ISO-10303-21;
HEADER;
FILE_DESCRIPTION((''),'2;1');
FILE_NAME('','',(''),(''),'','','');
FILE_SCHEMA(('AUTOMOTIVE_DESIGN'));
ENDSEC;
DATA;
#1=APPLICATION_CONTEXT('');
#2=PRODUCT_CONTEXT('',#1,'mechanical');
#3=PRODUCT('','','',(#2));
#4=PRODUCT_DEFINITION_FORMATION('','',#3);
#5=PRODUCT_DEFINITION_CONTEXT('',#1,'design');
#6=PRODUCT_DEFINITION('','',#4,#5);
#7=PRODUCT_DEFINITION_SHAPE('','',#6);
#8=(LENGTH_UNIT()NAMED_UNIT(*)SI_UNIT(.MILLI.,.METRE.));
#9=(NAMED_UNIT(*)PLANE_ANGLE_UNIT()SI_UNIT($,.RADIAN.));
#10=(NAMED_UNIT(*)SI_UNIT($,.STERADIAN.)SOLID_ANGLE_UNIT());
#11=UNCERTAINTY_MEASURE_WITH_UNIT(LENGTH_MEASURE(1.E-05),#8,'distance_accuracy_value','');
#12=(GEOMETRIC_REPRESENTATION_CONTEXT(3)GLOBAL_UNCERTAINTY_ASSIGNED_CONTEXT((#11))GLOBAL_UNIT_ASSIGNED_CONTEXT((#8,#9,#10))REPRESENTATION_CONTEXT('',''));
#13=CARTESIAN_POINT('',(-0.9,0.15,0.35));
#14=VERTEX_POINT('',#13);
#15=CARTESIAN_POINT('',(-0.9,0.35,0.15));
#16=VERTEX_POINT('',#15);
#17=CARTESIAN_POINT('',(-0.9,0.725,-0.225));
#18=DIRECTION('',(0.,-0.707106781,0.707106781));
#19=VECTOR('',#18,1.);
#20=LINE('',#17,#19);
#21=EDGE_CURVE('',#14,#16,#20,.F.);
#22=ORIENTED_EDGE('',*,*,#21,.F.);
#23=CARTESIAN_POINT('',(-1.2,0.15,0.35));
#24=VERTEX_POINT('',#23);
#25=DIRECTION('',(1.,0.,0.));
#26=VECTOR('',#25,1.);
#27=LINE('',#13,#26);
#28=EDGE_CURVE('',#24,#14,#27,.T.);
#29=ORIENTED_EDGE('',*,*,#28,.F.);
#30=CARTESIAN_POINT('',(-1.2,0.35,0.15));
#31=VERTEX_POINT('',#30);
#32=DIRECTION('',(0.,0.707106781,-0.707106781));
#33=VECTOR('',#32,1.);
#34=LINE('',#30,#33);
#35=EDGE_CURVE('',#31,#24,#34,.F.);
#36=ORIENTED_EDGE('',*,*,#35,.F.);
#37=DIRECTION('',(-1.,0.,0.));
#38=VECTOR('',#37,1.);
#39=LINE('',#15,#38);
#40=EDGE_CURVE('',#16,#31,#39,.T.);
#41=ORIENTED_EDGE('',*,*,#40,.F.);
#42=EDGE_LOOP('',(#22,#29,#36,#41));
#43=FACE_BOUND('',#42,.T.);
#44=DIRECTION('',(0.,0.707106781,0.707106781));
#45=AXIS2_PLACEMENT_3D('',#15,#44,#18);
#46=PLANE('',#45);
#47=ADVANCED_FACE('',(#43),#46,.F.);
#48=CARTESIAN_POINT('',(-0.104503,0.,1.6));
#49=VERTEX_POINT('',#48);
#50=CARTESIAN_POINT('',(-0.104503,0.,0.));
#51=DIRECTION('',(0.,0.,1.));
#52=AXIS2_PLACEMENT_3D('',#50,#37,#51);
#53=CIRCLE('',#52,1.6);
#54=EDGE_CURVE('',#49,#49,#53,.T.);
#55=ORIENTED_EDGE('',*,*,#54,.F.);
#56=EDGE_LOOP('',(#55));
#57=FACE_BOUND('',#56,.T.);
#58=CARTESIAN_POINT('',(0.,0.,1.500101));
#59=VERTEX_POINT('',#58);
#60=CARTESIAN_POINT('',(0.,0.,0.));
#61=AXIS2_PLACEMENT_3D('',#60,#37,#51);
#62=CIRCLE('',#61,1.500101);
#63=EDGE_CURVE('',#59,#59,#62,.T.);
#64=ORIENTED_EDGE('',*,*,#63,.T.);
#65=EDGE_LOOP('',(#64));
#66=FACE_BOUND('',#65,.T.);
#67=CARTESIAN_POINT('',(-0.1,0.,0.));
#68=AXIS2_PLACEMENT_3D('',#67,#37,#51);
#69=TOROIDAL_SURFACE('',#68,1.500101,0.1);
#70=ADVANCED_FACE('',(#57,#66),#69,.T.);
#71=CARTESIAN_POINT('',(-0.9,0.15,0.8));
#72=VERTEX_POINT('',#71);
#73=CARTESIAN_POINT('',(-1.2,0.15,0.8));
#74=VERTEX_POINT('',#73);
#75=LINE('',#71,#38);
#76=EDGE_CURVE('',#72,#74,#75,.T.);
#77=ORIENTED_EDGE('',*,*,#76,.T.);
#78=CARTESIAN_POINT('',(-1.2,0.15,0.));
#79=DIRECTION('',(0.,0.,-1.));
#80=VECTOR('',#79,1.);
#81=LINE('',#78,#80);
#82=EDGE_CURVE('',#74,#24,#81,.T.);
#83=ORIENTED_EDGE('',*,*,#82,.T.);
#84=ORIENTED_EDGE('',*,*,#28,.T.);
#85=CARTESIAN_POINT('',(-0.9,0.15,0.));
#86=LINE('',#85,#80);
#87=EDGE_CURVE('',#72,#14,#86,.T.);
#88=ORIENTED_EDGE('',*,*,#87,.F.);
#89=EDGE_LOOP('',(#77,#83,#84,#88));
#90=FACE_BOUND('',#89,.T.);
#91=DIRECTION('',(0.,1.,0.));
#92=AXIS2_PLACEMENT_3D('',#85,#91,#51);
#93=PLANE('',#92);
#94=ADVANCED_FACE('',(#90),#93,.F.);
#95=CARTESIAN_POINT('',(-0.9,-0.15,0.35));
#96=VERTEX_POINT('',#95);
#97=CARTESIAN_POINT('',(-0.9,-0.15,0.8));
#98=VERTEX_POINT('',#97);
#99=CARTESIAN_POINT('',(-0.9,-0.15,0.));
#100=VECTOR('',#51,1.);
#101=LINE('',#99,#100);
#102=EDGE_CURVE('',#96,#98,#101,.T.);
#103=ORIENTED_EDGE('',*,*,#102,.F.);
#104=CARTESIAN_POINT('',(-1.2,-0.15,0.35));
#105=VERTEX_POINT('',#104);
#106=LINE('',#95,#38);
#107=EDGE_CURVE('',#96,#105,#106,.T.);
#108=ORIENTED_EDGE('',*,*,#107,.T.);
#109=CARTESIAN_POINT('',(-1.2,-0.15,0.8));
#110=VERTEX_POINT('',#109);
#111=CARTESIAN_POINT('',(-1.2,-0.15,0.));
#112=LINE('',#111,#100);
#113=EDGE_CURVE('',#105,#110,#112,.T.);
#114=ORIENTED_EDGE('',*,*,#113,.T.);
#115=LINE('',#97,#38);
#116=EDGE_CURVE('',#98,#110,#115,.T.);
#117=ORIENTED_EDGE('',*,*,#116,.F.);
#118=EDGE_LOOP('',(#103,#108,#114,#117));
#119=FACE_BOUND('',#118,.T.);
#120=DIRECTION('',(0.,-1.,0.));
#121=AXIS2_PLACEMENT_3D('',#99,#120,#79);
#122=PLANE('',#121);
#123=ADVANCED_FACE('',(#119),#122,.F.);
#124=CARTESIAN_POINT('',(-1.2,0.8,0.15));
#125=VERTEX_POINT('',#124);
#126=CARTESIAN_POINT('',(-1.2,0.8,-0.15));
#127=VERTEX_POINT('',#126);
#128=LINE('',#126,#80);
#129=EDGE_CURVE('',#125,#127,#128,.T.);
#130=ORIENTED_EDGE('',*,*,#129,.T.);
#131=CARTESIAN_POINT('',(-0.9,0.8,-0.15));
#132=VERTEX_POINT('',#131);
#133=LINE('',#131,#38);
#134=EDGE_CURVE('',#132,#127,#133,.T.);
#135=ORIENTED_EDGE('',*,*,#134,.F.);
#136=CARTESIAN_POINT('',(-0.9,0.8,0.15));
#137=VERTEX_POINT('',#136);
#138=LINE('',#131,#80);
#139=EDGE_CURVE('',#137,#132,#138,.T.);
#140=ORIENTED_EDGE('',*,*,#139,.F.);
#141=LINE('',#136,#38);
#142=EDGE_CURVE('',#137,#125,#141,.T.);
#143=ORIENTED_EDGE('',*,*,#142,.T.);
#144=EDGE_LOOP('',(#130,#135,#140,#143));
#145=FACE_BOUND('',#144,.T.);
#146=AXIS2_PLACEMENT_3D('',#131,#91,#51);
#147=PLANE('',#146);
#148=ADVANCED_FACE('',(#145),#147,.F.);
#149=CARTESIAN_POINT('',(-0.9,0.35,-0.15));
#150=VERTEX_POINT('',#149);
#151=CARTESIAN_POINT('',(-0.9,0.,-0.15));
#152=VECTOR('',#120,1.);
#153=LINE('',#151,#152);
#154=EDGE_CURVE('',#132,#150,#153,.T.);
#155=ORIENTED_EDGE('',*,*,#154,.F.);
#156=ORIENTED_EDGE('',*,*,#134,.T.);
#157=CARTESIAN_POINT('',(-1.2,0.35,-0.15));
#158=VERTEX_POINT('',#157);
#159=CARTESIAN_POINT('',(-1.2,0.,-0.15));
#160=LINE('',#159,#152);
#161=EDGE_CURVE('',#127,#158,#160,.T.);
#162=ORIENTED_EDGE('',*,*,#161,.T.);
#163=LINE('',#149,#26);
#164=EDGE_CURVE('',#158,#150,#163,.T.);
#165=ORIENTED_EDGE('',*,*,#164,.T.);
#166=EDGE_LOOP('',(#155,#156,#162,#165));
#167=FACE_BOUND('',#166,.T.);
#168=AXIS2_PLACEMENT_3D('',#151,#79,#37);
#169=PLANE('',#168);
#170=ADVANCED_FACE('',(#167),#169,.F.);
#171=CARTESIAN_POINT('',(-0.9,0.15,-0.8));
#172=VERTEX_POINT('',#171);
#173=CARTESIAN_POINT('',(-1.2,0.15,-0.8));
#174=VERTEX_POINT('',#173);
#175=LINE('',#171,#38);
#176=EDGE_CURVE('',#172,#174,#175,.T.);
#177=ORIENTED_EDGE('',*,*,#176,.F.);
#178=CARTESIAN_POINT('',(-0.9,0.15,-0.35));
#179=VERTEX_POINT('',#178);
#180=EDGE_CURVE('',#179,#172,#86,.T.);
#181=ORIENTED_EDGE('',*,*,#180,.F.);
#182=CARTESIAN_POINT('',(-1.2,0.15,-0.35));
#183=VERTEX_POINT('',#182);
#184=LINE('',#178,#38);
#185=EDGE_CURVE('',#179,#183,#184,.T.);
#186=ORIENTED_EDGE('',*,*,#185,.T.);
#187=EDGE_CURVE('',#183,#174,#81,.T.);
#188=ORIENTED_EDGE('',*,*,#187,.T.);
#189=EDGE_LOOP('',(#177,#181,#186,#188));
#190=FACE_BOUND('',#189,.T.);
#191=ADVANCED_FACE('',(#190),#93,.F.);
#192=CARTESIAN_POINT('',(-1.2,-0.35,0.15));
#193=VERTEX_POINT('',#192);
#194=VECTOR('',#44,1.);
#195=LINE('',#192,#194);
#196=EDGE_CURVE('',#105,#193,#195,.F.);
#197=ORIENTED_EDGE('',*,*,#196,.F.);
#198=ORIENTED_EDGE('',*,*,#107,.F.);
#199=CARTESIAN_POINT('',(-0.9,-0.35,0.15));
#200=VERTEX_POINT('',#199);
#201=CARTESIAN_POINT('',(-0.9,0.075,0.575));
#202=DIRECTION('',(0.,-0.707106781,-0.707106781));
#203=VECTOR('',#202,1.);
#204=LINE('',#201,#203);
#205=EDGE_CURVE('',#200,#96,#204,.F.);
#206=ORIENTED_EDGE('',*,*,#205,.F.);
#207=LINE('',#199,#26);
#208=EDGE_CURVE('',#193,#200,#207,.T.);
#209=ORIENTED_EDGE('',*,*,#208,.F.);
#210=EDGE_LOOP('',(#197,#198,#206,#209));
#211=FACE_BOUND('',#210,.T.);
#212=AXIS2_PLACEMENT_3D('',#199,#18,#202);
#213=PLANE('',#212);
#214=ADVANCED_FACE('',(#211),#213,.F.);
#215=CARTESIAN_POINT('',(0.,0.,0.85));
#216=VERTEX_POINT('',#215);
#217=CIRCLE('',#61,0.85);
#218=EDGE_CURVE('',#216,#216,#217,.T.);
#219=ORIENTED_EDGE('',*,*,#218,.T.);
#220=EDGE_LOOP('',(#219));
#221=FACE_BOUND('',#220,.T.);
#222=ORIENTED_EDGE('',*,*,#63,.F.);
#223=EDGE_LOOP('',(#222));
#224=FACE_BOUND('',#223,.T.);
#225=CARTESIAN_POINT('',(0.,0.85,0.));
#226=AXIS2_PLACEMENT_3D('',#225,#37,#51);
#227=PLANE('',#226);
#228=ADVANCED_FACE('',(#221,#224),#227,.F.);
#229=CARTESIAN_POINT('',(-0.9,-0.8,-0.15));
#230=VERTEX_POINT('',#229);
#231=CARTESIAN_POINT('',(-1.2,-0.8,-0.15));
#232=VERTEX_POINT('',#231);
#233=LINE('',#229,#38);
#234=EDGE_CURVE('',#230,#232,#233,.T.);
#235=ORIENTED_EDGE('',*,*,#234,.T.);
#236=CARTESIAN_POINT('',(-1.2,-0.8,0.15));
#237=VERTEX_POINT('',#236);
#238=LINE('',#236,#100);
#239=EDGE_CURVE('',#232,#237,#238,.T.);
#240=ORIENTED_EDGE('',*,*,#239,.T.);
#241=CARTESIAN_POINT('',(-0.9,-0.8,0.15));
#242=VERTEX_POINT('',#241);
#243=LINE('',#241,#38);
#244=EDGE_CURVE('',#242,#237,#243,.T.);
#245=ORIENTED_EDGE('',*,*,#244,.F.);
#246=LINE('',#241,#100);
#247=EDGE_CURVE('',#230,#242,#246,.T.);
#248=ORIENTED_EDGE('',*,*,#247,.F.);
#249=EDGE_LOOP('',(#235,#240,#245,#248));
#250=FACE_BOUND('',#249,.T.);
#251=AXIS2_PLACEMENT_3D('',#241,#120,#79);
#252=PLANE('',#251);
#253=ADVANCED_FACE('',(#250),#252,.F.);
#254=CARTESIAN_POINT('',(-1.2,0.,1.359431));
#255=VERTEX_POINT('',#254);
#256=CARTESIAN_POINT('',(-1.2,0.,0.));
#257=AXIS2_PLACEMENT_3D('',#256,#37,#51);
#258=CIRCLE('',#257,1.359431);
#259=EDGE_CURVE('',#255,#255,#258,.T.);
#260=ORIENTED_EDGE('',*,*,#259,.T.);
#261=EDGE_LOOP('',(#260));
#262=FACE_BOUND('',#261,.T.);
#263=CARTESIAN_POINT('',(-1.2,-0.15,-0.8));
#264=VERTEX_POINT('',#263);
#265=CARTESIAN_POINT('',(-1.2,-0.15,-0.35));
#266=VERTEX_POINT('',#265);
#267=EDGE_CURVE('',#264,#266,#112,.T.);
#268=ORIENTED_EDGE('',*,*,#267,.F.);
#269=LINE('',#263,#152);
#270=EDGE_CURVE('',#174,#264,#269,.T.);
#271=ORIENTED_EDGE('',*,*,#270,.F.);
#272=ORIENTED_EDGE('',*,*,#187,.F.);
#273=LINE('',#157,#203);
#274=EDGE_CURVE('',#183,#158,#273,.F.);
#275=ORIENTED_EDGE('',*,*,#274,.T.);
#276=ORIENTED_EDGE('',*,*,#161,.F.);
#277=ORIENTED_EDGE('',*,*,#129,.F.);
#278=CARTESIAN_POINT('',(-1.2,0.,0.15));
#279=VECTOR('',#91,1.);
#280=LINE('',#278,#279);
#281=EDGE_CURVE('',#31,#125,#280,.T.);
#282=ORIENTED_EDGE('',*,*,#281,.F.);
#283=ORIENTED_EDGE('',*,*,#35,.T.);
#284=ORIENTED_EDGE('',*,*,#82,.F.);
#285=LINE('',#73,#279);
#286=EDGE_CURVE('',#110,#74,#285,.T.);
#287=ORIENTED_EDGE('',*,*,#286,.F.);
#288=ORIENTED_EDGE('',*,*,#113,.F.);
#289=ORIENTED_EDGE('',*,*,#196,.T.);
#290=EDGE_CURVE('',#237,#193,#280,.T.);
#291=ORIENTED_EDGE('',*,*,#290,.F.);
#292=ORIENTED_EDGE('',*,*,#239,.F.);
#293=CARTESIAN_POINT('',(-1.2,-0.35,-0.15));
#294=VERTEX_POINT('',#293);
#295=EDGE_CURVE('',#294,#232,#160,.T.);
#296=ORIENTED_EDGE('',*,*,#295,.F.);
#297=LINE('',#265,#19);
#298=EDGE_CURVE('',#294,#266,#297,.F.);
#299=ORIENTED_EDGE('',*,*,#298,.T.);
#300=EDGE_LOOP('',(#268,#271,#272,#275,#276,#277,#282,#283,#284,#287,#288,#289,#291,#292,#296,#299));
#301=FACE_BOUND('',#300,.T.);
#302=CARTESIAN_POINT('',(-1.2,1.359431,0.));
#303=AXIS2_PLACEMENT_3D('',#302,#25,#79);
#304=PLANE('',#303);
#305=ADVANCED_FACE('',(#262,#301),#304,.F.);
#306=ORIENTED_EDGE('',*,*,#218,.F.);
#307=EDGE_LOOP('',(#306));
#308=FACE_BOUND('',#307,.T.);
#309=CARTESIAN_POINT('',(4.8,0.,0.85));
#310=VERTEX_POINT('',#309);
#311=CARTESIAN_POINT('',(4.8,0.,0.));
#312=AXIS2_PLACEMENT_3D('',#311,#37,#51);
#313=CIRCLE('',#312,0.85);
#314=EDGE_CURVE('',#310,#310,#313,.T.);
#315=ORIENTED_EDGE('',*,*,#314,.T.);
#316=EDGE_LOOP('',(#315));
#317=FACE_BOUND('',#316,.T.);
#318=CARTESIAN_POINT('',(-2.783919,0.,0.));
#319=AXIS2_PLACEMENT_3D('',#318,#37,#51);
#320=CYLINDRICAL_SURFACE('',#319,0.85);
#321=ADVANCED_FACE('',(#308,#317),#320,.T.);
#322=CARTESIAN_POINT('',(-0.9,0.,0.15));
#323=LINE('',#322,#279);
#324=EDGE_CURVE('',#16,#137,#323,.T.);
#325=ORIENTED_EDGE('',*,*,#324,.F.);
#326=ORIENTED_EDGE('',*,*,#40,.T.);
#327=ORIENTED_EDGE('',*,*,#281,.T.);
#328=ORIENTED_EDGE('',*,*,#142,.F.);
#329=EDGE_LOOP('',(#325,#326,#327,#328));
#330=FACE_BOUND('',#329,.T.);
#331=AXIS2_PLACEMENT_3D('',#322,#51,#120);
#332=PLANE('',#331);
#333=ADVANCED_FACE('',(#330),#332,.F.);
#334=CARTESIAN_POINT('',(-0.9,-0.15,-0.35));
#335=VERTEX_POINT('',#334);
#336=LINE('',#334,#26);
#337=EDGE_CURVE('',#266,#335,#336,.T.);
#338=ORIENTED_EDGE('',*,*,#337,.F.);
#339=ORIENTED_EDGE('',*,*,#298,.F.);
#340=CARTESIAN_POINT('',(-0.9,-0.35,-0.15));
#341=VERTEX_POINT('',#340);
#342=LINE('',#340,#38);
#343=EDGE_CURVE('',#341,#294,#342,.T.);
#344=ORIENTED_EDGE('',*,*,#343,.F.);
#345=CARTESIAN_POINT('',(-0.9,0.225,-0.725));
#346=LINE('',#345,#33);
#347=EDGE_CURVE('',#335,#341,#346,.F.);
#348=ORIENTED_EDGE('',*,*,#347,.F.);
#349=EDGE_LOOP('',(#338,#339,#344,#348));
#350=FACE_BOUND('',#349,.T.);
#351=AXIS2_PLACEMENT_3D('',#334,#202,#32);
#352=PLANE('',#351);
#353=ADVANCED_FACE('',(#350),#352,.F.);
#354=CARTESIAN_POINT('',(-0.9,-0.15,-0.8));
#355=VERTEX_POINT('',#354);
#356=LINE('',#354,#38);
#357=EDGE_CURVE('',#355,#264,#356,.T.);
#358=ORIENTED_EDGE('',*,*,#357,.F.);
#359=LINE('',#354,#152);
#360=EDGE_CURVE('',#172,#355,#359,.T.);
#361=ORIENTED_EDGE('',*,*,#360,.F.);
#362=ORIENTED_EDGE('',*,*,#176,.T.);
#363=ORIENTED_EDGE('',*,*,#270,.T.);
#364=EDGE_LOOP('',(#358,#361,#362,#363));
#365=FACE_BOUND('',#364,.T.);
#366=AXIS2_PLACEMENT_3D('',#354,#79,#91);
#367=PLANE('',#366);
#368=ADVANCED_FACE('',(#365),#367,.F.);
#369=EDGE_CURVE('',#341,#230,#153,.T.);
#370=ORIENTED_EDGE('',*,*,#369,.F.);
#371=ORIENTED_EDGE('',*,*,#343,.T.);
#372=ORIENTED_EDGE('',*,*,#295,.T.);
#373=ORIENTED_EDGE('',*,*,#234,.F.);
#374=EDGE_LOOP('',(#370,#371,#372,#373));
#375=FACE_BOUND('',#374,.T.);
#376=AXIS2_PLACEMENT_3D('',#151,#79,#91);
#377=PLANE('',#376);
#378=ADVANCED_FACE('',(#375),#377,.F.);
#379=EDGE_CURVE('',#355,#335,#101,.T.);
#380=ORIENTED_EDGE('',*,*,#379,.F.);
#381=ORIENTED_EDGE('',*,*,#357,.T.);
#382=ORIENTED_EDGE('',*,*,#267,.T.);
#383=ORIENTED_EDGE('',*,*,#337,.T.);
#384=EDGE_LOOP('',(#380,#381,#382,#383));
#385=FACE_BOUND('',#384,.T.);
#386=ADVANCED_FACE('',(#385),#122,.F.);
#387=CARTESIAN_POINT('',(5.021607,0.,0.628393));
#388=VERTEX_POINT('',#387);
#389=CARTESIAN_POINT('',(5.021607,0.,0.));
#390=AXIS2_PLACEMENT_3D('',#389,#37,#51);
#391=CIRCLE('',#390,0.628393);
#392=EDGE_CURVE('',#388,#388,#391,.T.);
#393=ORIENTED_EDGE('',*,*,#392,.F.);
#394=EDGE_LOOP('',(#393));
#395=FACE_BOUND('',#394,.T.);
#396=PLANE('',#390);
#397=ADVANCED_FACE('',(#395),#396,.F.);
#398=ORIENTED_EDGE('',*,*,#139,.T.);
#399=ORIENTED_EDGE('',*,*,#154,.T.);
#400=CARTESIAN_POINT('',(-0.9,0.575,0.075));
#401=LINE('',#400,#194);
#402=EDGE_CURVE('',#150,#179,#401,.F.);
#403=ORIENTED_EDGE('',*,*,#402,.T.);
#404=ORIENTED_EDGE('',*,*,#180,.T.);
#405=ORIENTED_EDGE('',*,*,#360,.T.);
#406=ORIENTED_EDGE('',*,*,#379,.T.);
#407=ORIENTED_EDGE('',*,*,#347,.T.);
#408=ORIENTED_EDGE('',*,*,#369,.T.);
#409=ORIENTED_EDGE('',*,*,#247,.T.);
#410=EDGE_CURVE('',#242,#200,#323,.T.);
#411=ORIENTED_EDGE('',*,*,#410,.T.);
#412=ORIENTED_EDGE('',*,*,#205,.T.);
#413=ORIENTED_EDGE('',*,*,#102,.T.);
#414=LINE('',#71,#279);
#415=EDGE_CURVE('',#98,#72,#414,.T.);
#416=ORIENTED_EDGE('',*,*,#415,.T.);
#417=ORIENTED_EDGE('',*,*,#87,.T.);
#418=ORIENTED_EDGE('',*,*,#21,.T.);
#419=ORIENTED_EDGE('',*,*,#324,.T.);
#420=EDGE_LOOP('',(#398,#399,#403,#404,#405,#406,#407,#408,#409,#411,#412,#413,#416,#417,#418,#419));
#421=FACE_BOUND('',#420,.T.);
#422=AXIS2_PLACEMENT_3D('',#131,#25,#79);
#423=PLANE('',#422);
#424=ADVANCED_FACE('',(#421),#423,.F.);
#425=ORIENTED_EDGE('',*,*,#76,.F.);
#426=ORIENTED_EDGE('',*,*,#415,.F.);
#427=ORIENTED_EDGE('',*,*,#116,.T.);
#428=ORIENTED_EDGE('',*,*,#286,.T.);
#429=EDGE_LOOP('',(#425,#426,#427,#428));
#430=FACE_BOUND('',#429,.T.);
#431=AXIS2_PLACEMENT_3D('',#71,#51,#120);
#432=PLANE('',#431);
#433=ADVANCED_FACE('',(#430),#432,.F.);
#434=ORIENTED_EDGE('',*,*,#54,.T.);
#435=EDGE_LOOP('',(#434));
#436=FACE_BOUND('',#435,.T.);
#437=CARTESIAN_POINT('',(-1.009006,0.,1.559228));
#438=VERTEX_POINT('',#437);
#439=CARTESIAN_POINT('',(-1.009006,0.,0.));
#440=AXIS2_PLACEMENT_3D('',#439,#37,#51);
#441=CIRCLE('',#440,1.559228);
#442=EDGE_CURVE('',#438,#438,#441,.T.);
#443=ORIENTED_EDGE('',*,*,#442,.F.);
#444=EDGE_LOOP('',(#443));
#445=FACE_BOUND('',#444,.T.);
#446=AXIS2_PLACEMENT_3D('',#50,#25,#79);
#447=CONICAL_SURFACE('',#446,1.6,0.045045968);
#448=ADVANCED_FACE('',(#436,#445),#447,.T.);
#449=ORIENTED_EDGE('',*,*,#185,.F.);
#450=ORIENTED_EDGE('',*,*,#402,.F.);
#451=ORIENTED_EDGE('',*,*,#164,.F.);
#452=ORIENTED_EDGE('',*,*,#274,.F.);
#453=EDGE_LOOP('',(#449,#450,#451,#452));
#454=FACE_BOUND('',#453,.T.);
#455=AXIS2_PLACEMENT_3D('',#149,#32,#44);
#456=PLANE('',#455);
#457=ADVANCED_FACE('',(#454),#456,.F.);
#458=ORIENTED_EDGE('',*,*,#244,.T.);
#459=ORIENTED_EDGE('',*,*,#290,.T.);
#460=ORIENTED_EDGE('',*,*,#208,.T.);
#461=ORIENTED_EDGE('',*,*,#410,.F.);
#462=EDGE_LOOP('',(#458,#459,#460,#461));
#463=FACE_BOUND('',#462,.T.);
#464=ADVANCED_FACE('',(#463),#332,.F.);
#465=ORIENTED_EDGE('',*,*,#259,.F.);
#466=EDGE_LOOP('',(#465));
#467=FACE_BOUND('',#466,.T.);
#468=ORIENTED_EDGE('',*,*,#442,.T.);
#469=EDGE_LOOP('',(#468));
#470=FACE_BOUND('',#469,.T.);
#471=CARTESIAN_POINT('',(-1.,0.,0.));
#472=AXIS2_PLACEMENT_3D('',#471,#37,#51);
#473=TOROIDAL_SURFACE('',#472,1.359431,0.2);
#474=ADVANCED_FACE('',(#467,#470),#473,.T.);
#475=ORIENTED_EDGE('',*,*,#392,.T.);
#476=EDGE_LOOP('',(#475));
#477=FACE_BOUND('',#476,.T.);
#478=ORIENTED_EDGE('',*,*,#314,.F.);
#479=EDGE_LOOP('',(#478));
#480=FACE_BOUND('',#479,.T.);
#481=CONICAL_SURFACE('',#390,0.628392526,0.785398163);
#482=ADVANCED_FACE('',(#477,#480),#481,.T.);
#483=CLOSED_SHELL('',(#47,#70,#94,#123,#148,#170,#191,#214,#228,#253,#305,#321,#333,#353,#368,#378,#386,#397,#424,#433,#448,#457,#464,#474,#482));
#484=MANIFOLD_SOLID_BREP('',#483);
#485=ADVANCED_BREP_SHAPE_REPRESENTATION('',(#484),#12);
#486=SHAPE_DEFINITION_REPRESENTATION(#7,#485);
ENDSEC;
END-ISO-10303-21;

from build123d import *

# Parameters (mm, degrees)
ESQUISSE2_W                  = 0.3
ESQUISSE2_H                  = 0.8
EXTRUSION1_DEPTH             = 0.3
R_P_TITION_CIRCULAIRE1_COUNT = 4
CHANFREIN1_SIZE              = 0.2


with BuildPart() as part:
    # Esquisse1 → Révolution1 (revolve)
    with BuildSketch(Plane.XY, mode=Mode.PRIVATE) as r_volution1_sk:
        with BuildLine():
            Line((5.021607474, 0), (5.021607474, 0.628392526))
            Line((5.021607474, 0.628392526), (4.8, 0.85))
            Line((4.8, 0.85), (0, 0.85))
            Line((0, 0.85), (0, 1.50010144))
            ThreePointArc((0, 1.50010144), (-0.030899737, 1.572386664), (-0.104503073, 1.6))
            Line((-0.104503073, 1.6), (-1.009006147, 1.559228203))
            ThreePointArc((-1.009006147, 1.559228203), (-1.144570449, 1.497631608), (-1.2, 1.359431083))
            Line((-1.2, 1.359431083), (-1.2, 0))
            Line((-1.2, 0), (5.021607474, 0))
        make_face()
    revolve(r_volution1_sk.sketch.rotate(Axis((-2.783918663, 0, 0), (1, 0, 0)), 90), axis=Axis((-2.783918663, 0, 0), (1, 0, 0)))  # turned: the seam where the file's is

    # Esquisse2 → Extrusion1 (cut)
    with BuildSketch(Plane.ZY.offset(1.2)):
        with Locations((0, 0.4)):
            Rectangle(ESQUISSE2_W, ESQUISSE2_H)
    extrusion1 = extrude(amount=-EXTRUSION1_DEPTH, mode=Mode.SUBTRACT)

    # Répétition circulaire1: Extrusion1 ×4 about axis
    r_p_tition_circulaire1_axis = Axis((0, 0, 0), (1, 0, 0))
    for i in range(1, R_P_TITION_CIRCULAIRE1_COUNT):
        add(extrusion1.rotate(r_p_tition_circulaire1_axis, i * 360 / R_P_TITION_CIRCULAIRE1_COUNT), mode=Mode.SUBTRACT)

    # Chanfrein1
    chanfrein1_edges = [part.edges().sort_by_distance(p)[0] for p in [
        (-1.05, 0.15, -0.15),
        (-1.05, 0.15, 0.15),
        (-1.05, -0.15, -0.15),
        (-1.05, -0.15, 0.15),
    ]]
    chamfer(chanfrein1_edges, length=CHANFREIN1_SIZE)


solid = part.part
